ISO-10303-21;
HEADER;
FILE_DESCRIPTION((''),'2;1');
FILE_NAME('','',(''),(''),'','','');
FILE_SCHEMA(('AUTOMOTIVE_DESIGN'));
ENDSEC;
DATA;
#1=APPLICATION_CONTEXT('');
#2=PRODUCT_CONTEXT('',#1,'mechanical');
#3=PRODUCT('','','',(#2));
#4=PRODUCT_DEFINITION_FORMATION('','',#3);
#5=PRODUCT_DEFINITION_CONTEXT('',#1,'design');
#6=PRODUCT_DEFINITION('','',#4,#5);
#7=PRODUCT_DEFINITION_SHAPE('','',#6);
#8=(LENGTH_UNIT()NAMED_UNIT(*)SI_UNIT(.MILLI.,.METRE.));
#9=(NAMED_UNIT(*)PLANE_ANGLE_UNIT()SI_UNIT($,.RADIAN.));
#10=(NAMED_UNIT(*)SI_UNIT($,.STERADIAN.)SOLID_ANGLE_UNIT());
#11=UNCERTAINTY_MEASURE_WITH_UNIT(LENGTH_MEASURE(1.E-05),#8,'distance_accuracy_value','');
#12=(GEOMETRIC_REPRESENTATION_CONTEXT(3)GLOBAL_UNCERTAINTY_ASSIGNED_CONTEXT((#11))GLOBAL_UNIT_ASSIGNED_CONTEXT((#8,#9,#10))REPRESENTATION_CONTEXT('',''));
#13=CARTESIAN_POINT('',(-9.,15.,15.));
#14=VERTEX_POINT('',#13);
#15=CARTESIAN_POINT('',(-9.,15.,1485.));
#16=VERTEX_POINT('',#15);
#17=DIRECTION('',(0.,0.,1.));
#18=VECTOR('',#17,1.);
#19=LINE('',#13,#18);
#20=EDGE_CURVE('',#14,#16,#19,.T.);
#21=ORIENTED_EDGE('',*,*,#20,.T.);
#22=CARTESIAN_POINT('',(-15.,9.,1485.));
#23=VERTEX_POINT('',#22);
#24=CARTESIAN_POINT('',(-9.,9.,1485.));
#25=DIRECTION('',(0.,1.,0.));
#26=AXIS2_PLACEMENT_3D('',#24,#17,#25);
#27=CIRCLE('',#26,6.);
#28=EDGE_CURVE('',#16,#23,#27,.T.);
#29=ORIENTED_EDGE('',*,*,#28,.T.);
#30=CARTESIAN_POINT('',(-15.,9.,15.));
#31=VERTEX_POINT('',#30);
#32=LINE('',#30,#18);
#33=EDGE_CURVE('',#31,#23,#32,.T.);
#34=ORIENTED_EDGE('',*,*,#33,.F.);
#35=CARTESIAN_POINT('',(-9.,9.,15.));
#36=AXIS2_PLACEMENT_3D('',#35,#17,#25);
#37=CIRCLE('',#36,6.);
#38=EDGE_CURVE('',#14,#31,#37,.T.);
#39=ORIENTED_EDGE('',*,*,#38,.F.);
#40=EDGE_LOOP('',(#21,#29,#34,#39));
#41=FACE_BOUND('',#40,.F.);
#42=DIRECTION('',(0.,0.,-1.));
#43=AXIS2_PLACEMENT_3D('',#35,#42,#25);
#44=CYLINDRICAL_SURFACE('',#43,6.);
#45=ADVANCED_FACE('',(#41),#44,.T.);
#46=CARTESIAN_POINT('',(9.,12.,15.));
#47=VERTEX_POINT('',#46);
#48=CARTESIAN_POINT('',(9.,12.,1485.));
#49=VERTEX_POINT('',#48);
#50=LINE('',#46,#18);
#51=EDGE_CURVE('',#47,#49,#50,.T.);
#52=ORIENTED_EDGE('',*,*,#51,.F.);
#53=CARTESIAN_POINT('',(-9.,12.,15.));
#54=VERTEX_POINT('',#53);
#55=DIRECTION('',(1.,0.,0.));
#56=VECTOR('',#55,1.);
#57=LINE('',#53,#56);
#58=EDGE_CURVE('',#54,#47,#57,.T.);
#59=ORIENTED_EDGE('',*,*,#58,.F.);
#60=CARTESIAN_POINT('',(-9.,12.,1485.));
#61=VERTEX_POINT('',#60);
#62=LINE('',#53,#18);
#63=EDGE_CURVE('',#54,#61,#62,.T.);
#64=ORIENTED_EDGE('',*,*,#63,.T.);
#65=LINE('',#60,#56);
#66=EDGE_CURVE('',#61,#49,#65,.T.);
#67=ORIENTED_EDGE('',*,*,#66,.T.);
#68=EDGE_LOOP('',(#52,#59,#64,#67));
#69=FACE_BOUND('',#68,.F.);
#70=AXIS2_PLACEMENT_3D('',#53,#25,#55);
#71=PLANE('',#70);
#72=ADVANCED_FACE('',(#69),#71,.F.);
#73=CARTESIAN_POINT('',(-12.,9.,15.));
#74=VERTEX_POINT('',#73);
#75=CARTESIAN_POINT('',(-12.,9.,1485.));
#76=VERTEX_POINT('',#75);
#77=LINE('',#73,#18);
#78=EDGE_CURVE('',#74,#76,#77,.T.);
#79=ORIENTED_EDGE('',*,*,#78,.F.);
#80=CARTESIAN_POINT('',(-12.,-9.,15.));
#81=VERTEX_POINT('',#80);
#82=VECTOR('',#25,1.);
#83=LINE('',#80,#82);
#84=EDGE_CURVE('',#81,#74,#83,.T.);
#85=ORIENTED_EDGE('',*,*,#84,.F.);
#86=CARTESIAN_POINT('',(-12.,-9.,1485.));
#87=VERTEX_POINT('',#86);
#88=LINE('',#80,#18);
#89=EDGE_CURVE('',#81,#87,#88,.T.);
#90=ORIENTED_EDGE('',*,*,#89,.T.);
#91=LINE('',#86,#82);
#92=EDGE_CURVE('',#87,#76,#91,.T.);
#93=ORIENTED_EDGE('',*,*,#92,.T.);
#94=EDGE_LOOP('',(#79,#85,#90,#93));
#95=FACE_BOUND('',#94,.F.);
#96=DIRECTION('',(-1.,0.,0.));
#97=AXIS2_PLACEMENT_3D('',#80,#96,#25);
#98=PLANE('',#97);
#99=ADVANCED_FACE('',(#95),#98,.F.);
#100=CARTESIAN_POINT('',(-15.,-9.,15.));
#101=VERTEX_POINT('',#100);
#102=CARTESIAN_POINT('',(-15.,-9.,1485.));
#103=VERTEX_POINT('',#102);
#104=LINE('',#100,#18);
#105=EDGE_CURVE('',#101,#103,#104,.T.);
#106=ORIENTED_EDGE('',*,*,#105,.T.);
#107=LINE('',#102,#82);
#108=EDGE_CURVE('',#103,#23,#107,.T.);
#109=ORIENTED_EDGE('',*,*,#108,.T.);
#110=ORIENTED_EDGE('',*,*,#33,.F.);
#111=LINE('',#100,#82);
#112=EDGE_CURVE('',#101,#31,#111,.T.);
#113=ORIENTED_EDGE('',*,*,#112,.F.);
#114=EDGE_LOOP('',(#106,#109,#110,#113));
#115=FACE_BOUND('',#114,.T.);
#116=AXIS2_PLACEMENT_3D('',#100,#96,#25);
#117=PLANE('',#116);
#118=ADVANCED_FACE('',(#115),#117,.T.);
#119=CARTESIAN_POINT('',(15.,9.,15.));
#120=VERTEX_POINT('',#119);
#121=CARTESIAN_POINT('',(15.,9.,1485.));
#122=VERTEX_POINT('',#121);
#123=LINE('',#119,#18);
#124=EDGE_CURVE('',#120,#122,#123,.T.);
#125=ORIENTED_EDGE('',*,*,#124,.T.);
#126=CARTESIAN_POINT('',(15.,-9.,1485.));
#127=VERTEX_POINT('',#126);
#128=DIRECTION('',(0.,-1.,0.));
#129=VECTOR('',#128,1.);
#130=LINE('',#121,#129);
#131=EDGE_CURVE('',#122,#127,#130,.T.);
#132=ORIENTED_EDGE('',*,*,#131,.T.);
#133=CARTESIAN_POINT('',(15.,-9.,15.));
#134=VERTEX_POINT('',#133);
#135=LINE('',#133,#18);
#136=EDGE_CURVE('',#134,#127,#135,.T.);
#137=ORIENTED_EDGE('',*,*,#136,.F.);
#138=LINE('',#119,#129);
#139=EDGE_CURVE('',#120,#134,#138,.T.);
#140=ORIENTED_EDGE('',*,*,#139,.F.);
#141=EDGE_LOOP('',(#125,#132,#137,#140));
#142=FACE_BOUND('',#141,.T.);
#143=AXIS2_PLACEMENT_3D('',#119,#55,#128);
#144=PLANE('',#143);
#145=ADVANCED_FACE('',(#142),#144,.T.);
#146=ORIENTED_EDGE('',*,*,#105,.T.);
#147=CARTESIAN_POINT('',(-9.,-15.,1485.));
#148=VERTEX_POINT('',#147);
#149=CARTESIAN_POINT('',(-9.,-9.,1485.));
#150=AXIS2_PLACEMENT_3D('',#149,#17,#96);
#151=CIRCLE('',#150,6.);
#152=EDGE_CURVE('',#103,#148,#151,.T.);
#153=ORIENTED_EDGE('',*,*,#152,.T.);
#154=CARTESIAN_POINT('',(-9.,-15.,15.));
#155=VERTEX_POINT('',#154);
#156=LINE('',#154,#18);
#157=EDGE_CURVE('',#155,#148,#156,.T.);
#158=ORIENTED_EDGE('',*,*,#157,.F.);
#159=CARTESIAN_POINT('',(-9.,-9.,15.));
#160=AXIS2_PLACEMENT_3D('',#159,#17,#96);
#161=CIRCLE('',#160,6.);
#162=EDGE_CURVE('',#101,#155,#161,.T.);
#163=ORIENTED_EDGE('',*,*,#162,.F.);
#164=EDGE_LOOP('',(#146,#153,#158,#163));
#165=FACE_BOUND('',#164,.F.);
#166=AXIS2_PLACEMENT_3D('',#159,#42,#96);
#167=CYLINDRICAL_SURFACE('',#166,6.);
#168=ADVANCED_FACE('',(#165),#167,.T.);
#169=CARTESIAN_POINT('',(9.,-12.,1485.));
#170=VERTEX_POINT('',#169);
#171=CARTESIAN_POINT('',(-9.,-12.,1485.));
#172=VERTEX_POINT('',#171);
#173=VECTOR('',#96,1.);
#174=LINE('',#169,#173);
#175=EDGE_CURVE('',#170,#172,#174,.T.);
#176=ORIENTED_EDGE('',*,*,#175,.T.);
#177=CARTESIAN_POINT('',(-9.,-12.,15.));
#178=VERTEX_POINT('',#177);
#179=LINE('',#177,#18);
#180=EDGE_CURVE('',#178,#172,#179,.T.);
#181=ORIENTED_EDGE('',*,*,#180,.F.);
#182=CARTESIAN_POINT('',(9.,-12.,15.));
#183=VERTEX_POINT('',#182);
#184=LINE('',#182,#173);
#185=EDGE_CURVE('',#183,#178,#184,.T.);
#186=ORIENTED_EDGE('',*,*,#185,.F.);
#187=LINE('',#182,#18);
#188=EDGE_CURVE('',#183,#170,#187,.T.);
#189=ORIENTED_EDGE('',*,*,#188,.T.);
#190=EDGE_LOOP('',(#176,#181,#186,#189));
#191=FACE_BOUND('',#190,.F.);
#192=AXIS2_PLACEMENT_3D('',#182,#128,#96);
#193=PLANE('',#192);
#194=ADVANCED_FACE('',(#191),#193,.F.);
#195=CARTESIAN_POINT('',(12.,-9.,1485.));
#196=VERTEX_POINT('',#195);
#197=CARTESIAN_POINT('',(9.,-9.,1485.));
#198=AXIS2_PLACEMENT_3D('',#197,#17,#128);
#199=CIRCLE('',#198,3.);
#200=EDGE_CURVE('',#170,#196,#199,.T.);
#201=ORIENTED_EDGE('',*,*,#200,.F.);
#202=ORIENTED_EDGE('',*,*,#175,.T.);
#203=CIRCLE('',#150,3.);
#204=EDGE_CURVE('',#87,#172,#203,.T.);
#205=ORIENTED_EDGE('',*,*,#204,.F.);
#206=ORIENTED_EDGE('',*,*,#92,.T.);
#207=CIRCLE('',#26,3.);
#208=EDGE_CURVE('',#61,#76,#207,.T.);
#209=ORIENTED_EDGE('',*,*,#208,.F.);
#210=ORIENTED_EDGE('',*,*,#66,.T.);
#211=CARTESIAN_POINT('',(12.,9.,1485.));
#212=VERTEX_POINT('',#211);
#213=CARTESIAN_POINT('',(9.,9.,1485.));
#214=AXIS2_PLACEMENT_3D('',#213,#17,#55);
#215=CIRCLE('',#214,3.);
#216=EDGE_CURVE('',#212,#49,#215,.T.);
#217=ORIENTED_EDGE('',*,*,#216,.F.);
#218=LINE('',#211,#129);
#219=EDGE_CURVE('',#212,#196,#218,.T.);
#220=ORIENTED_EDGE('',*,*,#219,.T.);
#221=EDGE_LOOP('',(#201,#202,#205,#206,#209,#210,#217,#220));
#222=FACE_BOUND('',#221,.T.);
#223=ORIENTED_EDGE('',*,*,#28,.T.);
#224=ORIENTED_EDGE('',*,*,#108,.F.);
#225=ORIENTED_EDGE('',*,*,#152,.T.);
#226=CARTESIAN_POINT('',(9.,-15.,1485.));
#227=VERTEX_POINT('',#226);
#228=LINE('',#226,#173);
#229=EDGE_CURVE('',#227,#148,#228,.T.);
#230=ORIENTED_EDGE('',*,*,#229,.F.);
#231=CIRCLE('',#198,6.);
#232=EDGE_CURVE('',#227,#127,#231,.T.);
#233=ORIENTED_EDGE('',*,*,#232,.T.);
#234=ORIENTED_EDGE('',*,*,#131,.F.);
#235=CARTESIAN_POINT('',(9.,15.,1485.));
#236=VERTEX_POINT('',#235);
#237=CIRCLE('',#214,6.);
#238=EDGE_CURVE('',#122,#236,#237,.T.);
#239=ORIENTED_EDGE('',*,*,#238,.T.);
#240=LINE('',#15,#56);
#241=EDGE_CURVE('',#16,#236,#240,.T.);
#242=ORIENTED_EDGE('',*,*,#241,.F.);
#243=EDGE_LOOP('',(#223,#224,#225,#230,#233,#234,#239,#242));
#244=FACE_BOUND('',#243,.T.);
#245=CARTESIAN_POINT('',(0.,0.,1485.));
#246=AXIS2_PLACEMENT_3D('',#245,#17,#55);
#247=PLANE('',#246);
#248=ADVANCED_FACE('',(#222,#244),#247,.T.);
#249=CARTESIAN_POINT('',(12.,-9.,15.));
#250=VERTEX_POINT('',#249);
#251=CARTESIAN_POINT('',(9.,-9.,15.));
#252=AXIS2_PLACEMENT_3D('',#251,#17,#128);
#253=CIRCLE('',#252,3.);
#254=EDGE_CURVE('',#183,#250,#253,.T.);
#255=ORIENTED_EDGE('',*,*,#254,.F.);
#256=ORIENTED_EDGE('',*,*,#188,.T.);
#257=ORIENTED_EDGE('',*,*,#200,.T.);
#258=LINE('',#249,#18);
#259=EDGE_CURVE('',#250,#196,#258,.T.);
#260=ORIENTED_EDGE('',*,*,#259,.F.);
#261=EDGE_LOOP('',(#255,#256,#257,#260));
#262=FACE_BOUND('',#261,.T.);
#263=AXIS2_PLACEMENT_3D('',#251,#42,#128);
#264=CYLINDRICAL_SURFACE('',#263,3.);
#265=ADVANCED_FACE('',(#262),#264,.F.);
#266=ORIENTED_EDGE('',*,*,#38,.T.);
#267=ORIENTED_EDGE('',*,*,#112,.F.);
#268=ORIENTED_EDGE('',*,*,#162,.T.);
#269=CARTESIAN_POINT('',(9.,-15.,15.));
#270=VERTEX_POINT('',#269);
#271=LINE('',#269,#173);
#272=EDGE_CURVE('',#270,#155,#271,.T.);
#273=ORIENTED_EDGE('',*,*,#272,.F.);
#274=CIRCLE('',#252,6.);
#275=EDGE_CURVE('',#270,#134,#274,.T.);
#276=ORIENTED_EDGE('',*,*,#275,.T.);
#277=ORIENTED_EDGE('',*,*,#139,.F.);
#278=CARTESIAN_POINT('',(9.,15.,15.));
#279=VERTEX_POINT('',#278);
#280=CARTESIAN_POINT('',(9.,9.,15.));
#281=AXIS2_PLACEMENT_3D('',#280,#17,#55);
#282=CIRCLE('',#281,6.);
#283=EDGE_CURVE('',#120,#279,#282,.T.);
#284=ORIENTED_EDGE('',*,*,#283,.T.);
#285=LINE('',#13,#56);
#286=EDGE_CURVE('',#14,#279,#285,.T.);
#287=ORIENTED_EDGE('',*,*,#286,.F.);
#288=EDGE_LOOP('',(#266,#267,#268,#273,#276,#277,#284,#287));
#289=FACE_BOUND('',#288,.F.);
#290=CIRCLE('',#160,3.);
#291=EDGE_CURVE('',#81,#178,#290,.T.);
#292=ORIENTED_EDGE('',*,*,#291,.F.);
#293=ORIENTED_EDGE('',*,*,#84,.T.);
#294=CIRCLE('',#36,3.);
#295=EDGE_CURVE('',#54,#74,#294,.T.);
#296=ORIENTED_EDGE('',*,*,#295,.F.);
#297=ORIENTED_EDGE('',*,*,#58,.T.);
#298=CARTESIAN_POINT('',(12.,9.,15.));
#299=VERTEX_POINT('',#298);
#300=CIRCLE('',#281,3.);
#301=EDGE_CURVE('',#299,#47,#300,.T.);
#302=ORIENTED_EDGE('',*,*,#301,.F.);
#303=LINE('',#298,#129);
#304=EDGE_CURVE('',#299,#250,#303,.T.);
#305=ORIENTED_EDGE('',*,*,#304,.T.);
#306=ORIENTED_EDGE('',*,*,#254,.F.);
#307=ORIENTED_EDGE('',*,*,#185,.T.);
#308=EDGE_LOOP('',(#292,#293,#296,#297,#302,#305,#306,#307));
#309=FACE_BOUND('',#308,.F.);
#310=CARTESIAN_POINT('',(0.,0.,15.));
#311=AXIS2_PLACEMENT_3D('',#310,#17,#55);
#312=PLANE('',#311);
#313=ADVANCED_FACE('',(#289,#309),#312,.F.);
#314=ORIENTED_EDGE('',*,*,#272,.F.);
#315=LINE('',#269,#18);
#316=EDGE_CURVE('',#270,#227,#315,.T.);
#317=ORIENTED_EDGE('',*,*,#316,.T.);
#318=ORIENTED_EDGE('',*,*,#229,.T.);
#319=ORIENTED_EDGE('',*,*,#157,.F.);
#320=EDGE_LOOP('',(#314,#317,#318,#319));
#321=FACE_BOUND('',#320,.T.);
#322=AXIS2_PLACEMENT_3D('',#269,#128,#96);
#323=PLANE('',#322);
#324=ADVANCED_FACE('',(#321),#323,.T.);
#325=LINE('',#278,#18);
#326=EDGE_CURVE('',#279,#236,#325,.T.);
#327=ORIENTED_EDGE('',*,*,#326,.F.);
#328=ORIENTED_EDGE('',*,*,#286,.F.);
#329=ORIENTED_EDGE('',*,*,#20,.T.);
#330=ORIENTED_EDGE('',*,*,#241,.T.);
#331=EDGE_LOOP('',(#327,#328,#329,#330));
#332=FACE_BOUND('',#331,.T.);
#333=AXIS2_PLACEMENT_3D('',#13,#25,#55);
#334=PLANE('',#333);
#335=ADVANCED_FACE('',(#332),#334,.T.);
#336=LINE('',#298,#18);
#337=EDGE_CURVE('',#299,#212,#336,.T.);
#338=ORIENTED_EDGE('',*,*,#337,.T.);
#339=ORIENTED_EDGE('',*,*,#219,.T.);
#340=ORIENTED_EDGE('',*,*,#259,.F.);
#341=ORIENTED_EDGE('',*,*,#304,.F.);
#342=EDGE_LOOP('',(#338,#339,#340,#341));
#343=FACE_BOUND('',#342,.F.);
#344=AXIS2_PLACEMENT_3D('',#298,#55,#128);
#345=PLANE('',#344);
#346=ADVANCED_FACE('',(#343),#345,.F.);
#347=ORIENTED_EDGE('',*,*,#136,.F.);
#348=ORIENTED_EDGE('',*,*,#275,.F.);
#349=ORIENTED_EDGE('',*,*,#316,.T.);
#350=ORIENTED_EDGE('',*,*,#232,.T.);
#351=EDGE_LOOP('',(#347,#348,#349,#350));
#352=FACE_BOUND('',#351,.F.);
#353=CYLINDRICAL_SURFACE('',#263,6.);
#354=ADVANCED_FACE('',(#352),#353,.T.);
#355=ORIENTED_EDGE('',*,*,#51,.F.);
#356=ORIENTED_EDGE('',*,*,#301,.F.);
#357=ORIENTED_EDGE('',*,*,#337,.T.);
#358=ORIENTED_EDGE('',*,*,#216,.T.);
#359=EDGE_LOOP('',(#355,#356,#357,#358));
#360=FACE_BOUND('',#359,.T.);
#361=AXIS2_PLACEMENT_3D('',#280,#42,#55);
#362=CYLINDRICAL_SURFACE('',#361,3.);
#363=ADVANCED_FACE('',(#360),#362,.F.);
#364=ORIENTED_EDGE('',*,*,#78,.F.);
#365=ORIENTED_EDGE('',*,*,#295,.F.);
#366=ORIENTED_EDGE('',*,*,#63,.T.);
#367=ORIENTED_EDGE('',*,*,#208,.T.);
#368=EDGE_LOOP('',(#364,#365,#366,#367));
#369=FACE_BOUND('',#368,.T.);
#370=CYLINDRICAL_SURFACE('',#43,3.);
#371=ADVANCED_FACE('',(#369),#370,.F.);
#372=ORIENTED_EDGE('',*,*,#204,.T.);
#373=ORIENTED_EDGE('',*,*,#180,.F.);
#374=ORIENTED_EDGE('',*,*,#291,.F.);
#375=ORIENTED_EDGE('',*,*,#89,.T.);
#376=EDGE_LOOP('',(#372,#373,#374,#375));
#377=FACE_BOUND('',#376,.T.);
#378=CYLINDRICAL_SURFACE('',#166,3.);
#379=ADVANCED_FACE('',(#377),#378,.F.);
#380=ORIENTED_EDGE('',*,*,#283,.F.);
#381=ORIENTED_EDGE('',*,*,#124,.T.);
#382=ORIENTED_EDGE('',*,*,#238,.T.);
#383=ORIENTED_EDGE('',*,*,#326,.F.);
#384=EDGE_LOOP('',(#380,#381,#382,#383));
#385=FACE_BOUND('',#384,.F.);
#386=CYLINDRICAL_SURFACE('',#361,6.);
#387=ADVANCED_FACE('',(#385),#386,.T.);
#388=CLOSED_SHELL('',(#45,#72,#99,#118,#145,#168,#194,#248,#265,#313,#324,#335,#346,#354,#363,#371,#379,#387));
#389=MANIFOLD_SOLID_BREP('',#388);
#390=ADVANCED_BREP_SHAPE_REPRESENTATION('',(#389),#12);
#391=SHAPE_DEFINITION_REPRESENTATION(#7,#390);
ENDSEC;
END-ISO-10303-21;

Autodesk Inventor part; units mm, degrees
ref_plane "Start Plane" through (0, 0, 15) normal (0, 0, 1) x (1, 0, 0)
ref_plane "End Plane" through (0, 0, 1485) normal (0, 0, 1) x (1, 0, 0)
sketch "Sketch" plane through (0, 0, 0) normal (0, 0, 1) x (1, 0, 0)
  line L0 (-15, -9) -> (-15, 9)
  line L1 (-9, 15) -> (9, 15)
  line L2 (15, 9) -> (15, -9)
  line L3 (9, -15) -> (-9, -15)
  arc A0 (-15, -9) -> (-9, -15) centre (-9, -9) ccw
  arc A1 (-9, 15) -> (-15, 9) centre (-9, 9) ccw
  arc A2 (15, 9) -> (9, 15) centre (9, 9) ccw
  arc A3 (9, -15) -> (15, -9) centre (9, -9) ccw
  arc A4 (-9, 12) -> (-12, 9) centre (-9, 9) ccw
  line L4 (-9, 12) -> (9, 12)
  arc A5 (12, 9) -> (9, 12) centre (9, 9) ccw
  line L5 (12, 9) -> (12, -9)
  arc A6 (9, -12) -> (12, -9) centre (9, -9) ccw
  line L6 (9, -12) -> (-9, -12)
  arc A7 (-12, -9) -> (-9, -12) centre (-9, -9) ccw
  line L7 (-12, -9) -> (-12, 9)
  line L8 (0, 22.7397) -> (0, -22.7397) construction
  line L9 (-22.7397, 0) -> (22.7397, 0) construction
  dimension "d7" = 6
  dimension "d10" = 30
  dimension "d11" = 30
  dimension "d12" = 3
  dimension "d15" = 15
  dimension "d16" = 15
extrude "Body" add sketch "Sketch" along normal up to surface (1470 mm away) from surface at 15
sketch "Sketch3" plane through (0, 0, 0) normal (0, 0, 1) x (1, 0, 0)
  line L0 (0, 0) -> (10, 0)
ref_plane "Work Plane3" through (0, 0, 0) normal (0, -1, 0) x (1, 0, 0)
ref_plane "Work Plane4" through (678.5, -9, 1485) normal (0, 0, 1) x (1, 0, 0)
split "Split1" plane through (678.5, -9, 1485) removes the side toward (0, 0, 1)
ref_plane "Work Plane5" through (678.5, 9, 15) normal (0, 0, -1) x (-1, 0, 0)
split "Split2" plane through (678.5, 9, 15) removes the side toward (0, 0, -1)
sketch "Sketch4" plane through (0, 0, 0) normal (0, -1, 0) x (1, 0, 0)
  line L0 (-2, 15) -> (12, 15) projected
  line L1 (-2, 1485) -> (12, 1485) projected
  dimension "d18" = 1470
equation "\"d7\" = G_IR"
equation "\"d10\" = G_H"
equation "\"d11\" = G_W"
equation "\"d12\" = G_T"
equation "\"d15\" = 0.5 * d10"
equation "\"d16\" = 0.5 * d11"
equation "\"d3\" = G_L"
equation "\"G_W\" = 30"
equation "\"G_H\" = 30"
equation "\"G_T\" = 3"
equation "\"G_IR\" = 6"
equation "\"G_L\" = d18"
equation "\"G_OFFSET_START\" = -15"
equation "\"G_OFFSET_END\" = -15"
equation "\"d13\" = -G_OFFSET_START"
equation "\"d14\" = G_OFFSET_END + B_L"
equation "\"B_L\" = 1500"
properties part number "DIN EN 10219-2 - 30 x 30 x 3  - 1470" material "Steel, Mild"
